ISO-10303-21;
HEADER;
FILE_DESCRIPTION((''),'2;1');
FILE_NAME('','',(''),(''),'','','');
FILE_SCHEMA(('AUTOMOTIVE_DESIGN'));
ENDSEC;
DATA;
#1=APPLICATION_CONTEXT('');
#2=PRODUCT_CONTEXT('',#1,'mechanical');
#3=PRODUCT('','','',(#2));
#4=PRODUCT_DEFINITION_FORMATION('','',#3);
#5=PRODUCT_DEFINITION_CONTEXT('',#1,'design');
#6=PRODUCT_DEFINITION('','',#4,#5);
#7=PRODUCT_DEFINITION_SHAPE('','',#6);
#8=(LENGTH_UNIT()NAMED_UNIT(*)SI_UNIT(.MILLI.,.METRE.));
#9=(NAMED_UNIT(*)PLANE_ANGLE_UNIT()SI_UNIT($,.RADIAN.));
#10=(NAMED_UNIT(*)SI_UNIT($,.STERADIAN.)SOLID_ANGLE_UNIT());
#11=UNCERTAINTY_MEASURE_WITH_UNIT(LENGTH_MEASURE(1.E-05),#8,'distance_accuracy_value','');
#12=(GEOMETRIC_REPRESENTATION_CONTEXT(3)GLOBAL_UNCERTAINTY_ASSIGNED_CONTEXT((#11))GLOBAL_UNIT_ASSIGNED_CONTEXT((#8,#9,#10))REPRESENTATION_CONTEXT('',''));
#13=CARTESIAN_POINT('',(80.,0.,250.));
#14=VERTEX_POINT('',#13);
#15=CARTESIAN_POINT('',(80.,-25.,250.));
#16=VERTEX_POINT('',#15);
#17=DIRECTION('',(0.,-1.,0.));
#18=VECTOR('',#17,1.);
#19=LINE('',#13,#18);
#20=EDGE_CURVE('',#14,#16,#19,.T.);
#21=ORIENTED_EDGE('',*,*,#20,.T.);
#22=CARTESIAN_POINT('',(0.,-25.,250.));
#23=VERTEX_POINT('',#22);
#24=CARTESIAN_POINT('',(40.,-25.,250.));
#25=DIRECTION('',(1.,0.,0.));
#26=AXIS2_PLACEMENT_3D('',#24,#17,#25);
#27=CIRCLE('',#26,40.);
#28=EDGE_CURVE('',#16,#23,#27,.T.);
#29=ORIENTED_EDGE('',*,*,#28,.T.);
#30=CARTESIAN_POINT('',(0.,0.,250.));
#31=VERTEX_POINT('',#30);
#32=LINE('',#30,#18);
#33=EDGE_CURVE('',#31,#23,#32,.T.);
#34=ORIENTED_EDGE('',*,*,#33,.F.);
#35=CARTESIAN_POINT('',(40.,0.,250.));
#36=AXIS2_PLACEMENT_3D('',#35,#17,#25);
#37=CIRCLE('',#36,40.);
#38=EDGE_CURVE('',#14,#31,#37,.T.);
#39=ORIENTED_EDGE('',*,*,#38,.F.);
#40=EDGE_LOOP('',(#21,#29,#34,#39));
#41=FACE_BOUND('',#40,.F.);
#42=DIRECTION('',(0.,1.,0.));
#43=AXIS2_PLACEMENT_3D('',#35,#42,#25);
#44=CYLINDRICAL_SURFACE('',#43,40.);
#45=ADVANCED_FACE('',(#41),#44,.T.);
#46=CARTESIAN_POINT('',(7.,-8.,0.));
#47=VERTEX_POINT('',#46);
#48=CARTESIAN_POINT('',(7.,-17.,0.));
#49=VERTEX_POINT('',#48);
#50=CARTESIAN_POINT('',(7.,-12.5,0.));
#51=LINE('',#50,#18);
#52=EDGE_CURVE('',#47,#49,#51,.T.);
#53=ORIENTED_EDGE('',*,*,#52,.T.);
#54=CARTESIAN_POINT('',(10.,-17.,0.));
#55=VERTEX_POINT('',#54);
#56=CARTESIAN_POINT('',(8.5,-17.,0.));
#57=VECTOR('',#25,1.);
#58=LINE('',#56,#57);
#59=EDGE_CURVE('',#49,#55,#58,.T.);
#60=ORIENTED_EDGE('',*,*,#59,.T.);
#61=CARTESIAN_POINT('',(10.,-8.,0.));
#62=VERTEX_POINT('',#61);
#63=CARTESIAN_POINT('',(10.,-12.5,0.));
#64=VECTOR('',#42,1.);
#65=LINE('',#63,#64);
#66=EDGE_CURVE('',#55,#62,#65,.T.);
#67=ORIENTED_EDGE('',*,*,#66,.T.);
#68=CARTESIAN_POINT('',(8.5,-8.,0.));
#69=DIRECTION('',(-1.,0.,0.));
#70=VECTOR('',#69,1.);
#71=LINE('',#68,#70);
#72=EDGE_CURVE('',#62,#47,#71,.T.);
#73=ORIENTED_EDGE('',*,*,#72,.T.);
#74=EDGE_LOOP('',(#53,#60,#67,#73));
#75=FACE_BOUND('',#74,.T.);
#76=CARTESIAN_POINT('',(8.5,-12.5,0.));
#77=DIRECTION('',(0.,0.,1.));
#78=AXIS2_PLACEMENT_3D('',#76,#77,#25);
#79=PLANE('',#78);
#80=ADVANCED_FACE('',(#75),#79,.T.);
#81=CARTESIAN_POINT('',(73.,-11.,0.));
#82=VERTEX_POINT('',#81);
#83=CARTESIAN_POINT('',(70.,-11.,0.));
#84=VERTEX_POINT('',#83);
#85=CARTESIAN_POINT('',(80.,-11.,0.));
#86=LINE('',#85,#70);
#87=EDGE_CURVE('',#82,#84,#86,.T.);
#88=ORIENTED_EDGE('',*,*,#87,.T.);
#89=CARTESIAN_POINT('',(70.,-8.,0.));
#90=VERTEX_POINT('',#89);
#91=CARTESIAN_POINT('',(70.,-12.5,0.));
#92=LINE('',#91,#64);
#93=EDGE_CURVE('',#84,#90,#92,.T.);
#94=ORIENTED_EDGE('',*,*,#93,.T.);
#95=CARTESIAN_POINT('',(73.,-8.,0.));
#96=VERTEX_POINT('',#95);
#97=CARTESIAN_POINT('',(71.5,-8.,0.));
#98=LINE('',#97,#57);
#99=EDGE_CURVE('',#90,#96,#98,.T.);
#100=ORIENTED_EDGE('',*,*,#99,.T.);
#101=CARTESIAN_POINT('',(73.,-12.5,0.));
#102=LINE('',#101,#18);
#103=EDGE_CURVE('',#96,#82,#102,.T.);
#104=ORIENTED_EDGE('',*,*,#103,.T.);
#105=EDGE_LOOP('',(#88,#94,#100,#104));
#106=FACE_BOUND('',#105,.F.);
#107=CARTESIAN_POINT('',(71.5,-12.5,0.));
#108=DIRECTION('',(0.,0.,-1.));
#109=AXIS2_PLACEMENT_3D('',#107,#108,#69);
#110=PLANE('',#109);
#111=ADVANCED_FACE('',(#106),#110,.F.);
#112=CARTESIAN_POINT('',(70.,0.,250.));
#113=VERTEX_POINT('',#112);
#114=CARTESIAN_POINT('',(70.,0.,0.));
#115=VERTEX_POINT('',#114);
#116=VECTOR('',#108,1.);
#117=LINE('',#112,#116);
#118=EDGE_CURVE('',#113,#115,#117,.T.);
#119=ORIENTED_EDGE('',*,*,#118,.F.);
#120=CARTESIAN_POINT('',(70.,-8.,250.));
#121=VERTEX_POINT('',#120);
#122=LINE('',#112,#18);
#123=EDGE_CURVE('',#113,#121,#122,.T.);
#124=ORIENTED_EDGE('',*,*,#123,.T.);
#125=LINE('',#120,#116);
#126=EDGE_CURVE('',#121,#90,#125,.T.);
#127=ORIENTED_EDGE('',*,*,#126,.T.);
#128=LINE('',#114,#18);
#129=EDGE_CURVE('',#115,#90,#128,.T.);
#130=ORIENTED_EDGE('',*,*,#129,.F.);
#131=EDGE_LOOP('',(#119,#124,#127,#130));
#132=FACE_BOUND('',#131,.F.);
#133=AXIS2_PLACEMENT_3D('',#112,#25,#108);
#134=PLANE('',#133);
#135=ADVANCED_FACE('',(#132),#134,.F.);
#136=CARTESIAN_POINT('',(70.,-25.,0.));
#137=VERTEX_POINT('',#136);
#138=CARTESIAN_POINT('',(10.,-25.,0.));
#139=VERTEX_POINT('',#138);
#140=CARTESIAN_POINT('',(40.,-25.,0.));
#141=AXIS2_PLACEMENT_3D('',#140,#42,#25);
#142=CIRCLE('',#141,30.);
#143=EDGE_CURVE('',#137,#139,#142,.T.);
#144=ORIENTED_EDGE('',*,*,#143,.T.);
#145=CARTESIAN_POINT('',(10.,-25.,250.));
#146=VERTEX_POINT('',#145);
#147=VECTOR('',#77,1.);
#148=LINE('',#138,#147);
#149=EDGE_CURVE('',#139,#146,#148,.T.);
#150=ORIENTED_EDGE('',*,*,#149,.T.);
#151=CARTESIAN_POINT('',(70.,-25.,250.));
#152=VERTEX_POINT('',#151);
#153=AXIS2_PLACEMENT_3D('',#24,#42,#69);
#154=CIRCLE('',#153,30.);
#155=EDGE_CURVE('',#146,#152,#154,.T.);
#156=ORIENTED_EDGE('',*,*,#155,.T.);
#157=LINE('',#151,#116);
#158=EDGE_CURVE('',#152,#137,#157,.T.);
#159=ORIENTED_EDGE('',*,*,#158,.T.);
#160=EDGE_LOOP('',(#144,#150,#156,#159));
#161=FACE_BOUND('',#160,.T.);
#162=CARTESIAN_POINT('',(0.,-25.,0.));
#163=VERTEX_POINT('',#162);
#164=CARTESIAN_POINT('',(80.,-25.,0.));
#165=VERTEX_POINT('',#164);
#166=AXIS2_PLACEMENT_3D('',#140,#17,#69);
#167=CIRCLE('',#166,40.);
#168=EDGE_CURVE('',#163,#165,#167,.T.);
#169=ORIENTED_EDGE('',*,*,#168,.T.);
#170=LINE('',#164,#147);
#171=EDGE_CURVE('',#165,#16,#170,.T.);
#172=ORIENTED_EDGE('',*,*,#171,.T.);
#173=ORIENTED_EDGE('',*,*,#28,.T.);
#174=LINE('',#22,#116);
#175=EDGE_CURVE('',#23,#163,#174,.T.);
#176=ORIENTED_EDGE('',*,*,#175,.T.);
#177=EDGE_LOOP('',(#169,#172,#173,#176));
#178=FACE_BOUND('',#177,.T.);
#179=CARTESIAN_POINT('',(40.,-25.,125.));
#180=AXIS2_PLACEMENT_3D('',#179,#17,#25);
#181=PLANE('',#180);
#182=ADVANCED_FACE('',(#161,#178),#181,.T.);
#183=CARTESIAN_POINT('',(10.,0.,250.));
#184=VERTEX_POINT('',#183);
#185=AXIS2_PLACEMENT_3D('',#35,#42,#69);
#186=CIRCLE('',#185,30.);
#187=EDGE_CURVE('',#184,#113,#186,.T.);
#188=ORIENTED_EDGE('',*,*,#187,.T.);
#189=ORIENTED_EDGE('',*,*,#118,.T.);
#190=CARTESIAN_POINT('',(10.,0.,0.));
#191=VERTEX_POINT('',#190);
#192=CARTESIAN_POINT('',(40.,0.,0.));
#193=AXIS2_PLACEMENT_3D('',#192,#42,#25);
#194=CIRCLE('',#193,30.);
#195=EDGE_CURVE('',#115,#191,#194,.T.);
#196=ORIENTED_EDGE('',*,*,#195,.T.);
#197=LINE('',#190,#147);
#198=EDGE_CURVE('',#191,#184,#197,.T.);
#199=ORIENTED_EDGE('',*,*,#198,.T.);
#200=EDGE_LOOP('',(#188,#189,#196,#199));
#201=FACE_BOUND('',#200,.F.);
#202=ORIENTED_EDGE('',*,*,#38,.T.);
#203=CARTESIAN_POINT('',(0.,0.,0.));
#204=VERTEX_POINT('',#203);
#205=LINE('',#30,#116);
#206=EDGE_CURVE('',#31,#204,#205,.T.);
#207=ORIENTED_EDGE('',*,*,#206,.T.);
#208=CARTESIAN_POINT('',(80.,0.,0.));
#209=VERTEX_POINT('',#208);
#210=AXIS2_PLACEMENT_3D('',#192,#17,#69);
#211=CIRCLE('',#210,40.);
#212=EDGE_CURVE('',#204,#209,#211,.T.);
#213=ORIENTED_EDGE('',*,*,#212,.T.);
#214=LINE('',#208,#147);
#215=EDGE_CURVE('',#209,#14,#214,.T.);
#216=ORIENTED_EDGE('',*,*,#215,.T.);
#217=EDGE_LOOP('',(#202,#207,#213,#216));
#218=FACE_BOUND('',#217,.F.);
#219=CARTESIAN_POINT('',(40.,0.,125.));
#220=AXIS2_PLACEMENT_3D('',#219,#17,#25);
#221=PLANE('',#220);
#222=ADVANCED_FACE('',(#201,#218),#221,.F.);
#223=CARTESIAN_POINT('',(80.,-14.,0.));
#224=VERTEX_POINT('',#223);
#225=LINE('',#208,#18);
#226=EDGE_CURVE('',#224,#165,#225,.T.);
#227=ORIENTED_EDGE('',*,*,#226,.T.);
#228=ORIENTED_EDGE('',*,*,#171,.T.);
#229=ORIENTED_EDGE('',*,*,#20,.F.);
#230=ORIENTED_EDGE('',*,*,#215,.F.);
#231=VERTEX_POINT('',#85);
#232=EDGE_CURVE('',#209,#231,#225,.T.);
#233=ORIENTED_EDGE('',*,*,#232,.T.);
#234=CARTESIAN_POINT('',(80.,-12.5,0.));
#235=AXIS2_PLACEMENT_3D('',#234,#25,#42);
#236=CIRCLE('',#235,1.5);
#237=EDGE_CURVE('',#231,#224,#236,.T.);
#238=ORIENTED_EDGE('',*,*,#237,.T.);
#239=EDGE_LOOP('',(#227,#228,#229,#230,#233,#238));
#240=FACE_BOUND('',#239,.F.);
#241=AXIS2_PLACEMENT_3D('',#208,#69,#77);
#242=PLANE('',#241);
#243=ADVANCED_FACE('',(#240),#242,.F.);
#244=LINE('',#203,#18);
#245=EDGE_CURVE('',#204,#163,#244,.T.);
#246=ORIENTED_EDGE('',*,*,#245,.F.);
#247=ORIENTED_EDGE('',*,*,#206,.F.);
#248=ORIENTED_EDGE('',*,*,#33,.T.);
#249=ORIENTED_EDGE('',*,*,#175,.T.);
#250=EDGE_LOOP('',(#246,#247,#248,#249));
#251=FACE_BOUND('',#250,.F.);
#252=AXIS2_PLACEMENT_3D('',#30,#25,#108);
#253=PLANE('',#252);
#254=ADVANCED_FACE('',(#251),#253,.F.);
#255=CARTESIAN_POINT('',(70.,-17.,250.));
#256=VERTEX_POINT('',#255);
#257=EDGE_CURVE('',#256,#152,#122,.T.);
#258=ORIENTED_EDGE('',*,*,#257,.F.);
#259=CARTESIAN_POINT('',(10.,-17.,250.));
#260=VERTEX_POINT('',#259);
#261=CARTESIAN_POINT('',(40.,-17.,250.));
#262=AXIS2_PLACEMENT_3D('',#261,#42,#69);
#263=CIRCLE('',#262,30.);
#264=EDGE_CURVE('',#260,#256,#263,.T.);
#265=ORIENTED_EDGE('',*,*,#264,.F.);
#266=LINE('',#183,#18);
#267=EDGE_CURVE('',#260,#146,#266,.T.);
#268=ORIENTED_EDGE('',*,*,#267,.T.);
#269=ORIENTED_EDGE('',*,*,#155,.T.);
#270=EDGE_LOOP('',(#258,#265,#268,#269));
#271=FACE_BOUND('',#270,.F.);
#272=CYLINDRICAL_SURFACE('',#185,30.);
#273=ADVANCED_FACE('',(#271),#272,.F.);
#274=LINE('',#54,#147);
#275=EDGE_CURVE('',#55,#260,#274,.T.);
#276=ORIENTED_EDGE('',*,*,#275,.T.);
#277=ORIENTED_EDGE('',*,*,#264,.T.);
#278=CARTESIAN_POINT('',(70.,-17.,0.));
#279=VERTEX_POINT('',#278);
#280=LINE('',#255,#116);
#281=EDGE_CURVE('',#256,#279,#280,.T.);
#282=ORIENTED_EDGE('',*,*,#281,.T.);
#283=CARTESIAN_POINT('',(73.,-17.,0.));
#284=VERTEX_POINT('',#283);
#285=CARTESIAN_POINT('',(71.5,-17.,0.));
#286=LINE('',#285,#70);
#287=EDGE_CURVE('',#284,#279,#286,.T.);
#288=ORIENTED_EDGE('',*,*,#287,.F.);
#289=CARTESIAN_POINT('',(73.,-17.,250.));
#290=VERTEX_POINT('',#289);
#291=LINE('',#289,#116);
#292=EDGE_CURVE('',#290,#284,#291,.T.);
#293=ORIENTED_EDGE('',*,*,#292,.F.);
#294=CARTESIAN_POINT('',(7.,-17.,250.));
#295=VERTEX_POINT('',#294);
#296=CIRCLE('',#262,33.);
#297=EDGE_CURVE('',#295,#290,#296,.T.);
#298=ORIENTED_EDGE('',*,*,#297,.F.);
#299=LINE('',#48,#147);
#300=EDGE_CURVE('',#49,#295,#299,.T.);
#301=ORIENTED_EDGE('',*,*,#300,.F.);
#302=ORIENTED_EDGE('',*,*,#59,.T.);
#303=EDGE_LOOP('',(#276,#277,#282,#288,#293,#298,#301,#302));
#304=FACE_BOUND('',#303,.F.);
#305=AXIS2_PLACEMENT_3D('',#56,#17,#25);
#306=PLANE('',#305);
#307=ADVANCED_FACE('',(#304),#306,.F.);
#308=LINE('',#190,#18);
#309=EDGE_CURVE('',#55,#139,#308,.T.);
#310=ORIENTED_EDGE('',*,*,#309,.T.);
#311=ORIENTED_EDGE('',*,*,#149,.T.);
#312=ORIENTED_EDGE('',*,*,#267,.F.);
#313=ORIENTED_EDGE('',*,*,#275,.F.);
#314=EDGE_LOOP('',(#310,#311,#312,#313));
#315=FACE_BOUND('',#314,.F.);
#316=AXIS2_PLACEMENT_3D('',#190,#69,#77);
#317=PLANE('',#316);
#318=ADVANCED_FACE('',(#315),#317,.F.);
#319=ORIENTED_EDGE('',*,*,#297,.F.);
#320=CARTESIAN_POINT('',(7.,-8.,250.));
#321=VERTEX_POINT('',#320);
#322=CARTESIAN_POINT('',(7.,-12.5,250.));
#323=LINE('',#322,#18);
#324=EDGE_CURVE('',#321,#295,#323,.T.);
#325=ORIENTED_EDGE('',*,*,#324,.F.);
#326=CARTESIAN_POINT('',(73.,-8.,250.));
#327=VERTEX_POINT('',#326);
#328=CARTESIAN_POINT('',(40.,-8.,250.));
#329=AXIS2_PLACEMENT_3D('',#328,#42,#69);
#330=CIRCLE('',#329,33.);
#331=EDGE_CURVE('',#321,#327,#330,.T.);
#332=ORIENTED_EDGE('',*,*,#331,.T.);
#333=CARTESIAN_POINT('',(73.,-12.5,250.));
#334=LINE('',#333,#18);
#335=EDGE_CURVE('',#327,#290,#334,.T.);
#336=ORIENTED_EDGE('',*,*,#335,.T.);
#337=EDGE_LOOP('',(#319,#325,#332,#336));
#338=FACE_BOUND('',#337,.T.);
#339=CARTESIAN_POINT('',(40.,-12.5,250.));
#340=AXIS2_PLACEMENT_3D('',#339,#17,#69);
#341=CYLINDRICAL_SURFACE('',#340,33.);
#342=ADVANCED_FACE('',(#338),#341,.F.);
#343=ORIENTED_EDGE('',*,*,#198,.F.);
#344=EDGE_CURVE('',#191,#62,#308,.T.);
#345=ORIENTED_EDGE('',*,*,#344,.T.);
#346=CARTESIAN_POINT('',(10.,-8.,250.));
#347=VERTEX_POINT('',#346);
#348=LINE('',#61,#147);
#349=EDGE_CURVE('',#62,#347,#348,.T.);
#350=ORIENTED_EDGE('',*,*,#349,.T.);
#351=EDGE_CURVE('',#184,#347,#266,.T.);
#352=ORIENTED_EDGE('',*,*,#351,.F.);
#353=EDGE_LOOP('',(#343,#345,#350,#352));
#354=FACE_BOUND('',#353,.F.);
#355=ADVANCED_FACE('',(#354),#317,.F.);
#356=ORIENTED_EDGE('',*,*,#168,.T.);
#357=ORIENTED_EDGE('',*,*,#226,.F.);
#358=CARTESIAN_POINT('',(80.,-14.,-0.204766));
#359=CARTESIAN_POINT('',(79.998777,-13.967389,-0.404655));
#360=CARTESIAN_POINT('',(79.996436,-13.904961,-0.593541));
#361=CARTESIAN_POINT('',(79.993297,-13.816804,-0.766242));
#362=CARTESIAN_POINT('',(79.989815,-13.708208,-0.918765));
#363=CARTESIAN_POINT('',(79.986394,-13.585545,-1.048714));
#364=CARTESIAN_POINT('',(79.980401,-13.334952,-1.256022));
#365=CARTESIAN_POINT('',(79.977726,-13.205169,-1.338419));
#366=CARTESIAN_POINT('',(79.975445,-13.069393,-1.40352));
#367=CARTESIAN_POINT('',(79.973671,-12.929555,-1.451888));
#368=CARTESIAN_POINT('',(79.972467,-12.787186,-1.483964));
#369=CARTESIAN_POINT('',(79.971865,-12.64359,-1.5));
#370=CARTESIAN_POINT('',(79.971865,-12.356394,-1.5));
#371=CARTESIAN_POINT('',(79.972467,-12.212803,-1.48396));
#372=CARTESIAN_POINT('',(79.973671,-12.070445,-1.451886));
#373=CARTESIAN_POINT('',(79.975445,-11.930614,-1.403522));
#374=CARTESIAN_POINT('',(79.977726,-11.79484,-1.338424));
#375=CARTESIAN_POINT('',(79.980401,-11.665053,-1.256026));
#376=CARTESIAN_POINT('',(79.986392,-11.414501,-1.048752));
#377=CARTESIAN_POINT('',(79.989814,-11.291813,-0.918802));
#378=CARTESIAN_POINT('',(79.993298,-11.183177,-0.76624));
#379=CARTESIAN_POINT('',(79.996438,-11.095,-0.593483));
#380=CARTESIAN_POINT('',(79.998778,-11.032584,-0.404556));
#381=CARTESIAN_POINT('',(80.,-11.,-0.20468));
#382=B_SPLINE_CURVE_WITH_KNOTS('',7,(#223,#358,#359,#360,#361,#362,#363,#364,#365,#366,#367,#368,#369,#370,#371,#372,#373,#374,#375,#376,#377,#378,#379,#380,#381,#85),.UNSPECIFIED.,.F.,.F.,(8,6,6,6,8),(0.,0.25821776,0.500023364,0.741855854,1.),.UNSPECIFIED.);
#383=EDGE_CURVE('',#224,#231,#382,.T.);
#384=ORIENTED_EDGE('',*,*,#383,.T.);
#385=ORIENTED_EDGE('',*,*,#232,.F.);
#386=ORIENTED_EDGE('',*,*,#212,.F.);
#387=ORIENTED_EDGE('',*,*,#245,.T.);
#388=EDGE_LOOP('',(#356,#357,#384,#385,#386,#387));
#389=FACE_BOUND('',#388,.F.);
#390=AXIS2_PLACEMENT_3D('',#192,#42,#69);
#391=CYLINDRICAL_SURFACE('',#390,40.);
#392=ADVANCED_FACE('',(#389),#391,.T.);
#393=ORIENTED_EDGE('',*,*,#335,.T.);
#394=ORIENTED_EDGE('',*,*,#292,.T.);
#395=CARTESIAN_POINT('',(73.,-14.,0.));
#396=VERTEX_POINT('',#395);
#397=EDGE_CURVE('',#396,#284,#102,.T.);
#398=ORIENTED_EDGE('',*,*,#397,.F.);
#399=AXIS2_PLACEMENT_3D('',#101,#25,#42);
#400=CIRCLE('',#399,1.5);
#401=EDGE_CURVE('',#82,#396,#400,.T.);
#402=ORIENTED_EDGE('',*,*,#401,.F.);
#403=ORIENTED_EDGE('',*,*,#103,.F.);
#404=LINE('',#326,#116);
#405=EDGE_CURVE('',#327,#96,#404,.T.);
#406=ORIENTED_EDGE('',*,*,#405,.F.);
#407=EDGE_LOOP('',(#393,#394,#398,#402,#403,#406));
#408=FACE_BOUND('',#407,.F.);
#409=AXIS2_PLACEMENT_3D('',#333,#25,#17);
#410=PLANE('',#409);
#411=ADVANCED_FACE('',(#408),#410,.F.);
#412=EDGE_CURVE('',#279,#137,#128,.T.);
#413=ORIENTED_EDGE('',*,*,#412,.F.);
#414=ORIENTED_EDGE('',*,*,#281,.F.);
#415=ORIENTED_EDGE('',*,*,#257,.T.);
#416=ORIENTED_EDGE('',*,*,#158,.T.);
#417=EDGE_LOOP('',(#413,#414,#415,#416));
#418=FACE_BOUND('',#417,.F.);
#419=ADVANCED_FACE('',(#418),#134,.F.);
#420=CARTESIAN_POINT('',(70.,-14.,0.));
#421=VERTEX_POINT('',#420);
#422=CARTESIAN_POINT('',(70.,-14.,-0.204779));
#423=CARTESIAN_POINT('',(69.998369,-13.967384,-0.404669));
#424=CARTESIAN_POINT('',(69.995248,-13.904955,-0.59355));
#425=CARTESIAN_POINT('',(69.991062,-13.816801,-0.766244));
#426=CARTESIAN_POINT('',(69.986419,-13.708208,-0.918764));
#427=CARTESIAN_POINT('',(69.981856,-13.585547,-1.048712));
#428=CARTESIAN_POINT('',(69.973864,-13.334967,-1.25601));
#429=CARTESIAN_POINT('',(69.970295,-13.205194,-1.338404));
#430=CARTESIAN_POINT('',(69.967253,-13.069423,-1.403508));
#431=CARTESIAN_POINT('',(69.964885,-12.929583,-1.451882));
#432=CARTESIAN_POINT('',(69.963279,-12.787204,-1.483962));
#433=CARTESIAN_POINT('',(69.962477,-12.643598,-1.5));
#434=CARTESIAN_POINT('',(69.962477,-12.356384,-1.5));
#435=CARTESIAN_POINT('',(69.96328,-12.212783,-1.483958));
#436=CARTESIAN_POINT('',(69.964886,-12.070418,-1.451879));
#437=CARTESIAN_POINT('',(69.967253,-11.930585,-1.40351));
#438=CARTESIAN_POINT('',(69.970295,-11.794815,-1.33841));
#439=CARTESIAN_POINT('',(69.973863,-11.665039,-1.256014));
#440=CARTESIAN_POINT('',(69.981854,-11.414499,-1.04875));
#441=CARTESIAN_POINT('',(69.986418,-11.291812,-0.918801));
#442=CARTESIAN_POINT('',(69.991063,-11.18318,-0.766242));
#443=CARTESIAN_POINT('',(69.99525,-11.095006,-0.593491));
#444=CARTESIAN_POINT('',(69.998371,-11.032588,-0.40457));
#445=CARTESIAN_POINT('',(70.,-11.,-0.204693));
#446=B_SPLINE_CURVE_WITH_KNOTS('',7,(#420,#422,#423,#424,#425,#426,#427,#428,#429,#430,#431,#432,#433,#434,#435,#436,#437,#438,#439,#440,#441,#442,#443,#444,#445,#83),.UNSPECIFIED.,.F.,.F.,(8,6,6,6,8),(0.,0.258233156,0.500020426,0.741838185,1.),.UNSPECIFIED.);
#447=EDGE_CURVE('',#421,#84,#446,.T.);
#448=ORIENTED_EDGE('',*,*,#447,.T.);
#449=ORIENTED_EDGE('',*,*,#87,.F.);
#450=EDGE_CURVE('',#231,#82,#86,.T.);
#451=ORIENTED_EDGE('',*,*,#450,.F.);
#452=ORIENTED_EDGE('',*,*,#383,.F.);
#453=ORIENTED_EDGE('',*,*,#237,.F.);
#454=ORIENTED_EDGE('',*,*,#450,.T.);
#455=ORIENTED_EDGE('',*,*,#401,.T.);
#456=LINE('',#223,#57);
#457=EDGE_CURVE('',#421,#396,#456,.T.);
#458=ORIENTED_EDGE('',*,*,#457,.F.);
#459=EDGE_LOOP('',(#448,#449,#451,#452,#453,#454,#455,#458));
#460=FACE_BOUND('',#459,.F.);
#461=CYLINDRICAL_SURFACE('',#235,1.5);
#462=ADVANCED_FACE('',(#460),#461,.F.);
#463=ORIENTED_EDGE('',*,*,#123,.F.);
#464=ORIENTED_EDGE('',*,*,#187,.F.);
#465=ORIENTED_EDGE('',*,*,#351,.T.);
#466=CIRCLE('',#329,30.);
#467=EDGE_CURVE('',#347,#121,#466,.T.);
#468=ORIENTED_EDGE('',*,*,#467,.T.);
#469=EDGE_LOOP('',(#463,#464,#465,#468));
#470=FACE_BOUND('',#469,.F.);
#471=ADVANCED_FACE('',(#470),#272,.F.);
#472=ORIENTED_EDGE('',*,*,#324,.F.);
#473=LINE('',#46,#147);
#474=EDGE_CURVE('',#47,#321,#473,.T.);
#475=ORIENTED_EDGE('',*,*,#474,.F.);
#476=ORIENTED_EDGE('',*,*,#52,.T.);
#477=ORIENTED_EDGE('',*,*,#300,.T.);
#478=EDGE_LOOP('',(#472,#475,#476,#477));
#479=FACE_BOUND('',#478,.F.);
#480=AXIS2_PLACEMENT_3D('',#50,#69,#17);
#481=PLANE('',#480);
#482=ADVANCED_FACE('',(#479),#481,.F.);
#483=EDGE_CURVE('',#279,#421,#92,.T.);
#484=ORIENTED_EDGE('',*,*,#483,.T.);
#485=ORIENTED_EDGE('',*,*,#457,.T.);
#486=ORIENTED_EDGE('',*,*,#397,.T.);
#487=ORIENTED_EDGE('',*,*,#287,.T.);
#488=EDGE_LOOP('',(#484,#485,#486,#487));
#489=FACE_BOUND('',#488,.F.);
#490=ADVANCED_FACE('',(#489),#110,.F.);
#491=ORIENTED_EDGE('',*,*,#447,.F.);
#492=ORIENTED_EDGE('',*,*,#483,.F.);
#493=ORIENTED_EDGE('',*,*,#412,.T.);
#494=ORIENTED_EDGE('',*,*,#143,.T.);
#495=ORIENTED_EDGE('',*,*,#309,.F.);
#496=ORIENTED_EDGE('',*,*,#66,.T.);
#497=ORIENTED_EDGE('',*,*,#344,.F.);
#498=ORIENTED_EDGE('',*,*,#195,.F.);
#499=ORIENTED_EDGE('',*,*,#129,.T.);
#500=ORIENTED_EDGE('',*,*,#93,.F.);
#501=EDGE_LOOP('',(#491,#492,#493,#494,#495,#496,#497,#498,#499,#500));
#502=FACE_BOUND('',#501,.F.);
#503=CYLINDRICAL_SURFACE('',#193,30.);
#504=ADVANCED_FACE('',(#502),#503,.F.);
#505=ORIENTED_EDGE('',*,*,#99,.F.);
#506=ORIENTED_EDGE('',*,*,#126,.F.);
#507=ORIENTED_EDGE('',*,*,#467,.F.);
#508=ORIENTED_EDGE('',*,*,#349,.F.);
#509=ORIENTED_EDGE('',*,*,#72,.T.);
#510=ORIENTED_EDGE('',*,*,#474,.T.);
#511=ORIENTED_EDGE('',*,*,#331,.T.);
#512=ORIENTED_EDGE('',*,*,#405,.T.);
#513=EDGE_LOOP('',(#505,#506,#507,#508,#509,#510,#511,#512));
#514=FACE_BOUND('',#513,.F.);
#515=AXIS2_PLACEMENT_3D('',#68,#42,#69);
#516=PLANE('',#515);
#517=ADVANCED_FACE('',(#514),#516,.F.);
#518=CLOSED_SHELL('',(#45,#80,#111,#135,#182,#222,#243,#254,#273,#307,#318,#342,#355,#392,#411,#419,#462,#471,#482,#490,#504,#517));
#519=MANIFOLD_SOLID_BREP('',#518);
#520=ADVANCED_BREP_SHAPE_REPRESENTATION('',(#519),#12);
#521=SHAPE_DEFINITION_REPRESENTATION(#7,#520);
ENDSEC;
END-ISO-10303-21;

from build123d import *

# Parameters (mm, degrees)
F1_DEPTH = 25
F2_W     = 3
F2_H     = 9
F4_R     = 1.5
F5_DEPTH = 10.0385235668


with BuildPart() as f1:
    # F0 (on Front) → F1 (new body)
    with BuildSketch(Plane.XZ):
        with BuildLine():
            Line((0, 250), (0, 0))
            ThreePointArc((0, 0), (40, -40), (80, 0))
            Line((80, 0), (80, 250))
            ThreePointArc((80, 250), (40, 290), (0, 250))
        make_face()
        with BuildLine():
            ThreePointArc((10, 250), (40, 280), (70, 250))
            Line((70, 250), (70, 0))
            ThreePointArc((70, 0), (40, -30), (10, 0))
            Line((10, 0), (10, 250))
        make_face(mode=Mode.SUBTRACT)
    extrude(amount=F1_DEPTH)

    # F3: sweep along a path in F3_path
    with BuildLine(Plane(origin=(10, -25, 0), x_dir=(0, 0, -1), z_dir=(0, 1, 0))) as f3_path:
        Line((0, 0), (-250, 0))
        ThreePointArc((-250, 0), (-280, -30), (-250, -60))
        Line((-250, -60), (0, -60))
    # F2 (on Top) → F3 (sweep, cut)
    with BuildSketch(Plane.XY):
        with Locations((8.5, -12.5)):
            Rectangle(F2_W, F2_H)
    sweep(path=f3_path.line, mode=Mode.SUBTRACT)

    # F4 (on face) → F5 (cut, through all)
    with BuildSketch(Plane.YZ.offset(80)):
        with Locations((-12.5, 0)):
            Circle(F4_R)
    extrude(amount=-F5_DEPTH, mode=Mode.SUBTRACT)


solid = f1.part
